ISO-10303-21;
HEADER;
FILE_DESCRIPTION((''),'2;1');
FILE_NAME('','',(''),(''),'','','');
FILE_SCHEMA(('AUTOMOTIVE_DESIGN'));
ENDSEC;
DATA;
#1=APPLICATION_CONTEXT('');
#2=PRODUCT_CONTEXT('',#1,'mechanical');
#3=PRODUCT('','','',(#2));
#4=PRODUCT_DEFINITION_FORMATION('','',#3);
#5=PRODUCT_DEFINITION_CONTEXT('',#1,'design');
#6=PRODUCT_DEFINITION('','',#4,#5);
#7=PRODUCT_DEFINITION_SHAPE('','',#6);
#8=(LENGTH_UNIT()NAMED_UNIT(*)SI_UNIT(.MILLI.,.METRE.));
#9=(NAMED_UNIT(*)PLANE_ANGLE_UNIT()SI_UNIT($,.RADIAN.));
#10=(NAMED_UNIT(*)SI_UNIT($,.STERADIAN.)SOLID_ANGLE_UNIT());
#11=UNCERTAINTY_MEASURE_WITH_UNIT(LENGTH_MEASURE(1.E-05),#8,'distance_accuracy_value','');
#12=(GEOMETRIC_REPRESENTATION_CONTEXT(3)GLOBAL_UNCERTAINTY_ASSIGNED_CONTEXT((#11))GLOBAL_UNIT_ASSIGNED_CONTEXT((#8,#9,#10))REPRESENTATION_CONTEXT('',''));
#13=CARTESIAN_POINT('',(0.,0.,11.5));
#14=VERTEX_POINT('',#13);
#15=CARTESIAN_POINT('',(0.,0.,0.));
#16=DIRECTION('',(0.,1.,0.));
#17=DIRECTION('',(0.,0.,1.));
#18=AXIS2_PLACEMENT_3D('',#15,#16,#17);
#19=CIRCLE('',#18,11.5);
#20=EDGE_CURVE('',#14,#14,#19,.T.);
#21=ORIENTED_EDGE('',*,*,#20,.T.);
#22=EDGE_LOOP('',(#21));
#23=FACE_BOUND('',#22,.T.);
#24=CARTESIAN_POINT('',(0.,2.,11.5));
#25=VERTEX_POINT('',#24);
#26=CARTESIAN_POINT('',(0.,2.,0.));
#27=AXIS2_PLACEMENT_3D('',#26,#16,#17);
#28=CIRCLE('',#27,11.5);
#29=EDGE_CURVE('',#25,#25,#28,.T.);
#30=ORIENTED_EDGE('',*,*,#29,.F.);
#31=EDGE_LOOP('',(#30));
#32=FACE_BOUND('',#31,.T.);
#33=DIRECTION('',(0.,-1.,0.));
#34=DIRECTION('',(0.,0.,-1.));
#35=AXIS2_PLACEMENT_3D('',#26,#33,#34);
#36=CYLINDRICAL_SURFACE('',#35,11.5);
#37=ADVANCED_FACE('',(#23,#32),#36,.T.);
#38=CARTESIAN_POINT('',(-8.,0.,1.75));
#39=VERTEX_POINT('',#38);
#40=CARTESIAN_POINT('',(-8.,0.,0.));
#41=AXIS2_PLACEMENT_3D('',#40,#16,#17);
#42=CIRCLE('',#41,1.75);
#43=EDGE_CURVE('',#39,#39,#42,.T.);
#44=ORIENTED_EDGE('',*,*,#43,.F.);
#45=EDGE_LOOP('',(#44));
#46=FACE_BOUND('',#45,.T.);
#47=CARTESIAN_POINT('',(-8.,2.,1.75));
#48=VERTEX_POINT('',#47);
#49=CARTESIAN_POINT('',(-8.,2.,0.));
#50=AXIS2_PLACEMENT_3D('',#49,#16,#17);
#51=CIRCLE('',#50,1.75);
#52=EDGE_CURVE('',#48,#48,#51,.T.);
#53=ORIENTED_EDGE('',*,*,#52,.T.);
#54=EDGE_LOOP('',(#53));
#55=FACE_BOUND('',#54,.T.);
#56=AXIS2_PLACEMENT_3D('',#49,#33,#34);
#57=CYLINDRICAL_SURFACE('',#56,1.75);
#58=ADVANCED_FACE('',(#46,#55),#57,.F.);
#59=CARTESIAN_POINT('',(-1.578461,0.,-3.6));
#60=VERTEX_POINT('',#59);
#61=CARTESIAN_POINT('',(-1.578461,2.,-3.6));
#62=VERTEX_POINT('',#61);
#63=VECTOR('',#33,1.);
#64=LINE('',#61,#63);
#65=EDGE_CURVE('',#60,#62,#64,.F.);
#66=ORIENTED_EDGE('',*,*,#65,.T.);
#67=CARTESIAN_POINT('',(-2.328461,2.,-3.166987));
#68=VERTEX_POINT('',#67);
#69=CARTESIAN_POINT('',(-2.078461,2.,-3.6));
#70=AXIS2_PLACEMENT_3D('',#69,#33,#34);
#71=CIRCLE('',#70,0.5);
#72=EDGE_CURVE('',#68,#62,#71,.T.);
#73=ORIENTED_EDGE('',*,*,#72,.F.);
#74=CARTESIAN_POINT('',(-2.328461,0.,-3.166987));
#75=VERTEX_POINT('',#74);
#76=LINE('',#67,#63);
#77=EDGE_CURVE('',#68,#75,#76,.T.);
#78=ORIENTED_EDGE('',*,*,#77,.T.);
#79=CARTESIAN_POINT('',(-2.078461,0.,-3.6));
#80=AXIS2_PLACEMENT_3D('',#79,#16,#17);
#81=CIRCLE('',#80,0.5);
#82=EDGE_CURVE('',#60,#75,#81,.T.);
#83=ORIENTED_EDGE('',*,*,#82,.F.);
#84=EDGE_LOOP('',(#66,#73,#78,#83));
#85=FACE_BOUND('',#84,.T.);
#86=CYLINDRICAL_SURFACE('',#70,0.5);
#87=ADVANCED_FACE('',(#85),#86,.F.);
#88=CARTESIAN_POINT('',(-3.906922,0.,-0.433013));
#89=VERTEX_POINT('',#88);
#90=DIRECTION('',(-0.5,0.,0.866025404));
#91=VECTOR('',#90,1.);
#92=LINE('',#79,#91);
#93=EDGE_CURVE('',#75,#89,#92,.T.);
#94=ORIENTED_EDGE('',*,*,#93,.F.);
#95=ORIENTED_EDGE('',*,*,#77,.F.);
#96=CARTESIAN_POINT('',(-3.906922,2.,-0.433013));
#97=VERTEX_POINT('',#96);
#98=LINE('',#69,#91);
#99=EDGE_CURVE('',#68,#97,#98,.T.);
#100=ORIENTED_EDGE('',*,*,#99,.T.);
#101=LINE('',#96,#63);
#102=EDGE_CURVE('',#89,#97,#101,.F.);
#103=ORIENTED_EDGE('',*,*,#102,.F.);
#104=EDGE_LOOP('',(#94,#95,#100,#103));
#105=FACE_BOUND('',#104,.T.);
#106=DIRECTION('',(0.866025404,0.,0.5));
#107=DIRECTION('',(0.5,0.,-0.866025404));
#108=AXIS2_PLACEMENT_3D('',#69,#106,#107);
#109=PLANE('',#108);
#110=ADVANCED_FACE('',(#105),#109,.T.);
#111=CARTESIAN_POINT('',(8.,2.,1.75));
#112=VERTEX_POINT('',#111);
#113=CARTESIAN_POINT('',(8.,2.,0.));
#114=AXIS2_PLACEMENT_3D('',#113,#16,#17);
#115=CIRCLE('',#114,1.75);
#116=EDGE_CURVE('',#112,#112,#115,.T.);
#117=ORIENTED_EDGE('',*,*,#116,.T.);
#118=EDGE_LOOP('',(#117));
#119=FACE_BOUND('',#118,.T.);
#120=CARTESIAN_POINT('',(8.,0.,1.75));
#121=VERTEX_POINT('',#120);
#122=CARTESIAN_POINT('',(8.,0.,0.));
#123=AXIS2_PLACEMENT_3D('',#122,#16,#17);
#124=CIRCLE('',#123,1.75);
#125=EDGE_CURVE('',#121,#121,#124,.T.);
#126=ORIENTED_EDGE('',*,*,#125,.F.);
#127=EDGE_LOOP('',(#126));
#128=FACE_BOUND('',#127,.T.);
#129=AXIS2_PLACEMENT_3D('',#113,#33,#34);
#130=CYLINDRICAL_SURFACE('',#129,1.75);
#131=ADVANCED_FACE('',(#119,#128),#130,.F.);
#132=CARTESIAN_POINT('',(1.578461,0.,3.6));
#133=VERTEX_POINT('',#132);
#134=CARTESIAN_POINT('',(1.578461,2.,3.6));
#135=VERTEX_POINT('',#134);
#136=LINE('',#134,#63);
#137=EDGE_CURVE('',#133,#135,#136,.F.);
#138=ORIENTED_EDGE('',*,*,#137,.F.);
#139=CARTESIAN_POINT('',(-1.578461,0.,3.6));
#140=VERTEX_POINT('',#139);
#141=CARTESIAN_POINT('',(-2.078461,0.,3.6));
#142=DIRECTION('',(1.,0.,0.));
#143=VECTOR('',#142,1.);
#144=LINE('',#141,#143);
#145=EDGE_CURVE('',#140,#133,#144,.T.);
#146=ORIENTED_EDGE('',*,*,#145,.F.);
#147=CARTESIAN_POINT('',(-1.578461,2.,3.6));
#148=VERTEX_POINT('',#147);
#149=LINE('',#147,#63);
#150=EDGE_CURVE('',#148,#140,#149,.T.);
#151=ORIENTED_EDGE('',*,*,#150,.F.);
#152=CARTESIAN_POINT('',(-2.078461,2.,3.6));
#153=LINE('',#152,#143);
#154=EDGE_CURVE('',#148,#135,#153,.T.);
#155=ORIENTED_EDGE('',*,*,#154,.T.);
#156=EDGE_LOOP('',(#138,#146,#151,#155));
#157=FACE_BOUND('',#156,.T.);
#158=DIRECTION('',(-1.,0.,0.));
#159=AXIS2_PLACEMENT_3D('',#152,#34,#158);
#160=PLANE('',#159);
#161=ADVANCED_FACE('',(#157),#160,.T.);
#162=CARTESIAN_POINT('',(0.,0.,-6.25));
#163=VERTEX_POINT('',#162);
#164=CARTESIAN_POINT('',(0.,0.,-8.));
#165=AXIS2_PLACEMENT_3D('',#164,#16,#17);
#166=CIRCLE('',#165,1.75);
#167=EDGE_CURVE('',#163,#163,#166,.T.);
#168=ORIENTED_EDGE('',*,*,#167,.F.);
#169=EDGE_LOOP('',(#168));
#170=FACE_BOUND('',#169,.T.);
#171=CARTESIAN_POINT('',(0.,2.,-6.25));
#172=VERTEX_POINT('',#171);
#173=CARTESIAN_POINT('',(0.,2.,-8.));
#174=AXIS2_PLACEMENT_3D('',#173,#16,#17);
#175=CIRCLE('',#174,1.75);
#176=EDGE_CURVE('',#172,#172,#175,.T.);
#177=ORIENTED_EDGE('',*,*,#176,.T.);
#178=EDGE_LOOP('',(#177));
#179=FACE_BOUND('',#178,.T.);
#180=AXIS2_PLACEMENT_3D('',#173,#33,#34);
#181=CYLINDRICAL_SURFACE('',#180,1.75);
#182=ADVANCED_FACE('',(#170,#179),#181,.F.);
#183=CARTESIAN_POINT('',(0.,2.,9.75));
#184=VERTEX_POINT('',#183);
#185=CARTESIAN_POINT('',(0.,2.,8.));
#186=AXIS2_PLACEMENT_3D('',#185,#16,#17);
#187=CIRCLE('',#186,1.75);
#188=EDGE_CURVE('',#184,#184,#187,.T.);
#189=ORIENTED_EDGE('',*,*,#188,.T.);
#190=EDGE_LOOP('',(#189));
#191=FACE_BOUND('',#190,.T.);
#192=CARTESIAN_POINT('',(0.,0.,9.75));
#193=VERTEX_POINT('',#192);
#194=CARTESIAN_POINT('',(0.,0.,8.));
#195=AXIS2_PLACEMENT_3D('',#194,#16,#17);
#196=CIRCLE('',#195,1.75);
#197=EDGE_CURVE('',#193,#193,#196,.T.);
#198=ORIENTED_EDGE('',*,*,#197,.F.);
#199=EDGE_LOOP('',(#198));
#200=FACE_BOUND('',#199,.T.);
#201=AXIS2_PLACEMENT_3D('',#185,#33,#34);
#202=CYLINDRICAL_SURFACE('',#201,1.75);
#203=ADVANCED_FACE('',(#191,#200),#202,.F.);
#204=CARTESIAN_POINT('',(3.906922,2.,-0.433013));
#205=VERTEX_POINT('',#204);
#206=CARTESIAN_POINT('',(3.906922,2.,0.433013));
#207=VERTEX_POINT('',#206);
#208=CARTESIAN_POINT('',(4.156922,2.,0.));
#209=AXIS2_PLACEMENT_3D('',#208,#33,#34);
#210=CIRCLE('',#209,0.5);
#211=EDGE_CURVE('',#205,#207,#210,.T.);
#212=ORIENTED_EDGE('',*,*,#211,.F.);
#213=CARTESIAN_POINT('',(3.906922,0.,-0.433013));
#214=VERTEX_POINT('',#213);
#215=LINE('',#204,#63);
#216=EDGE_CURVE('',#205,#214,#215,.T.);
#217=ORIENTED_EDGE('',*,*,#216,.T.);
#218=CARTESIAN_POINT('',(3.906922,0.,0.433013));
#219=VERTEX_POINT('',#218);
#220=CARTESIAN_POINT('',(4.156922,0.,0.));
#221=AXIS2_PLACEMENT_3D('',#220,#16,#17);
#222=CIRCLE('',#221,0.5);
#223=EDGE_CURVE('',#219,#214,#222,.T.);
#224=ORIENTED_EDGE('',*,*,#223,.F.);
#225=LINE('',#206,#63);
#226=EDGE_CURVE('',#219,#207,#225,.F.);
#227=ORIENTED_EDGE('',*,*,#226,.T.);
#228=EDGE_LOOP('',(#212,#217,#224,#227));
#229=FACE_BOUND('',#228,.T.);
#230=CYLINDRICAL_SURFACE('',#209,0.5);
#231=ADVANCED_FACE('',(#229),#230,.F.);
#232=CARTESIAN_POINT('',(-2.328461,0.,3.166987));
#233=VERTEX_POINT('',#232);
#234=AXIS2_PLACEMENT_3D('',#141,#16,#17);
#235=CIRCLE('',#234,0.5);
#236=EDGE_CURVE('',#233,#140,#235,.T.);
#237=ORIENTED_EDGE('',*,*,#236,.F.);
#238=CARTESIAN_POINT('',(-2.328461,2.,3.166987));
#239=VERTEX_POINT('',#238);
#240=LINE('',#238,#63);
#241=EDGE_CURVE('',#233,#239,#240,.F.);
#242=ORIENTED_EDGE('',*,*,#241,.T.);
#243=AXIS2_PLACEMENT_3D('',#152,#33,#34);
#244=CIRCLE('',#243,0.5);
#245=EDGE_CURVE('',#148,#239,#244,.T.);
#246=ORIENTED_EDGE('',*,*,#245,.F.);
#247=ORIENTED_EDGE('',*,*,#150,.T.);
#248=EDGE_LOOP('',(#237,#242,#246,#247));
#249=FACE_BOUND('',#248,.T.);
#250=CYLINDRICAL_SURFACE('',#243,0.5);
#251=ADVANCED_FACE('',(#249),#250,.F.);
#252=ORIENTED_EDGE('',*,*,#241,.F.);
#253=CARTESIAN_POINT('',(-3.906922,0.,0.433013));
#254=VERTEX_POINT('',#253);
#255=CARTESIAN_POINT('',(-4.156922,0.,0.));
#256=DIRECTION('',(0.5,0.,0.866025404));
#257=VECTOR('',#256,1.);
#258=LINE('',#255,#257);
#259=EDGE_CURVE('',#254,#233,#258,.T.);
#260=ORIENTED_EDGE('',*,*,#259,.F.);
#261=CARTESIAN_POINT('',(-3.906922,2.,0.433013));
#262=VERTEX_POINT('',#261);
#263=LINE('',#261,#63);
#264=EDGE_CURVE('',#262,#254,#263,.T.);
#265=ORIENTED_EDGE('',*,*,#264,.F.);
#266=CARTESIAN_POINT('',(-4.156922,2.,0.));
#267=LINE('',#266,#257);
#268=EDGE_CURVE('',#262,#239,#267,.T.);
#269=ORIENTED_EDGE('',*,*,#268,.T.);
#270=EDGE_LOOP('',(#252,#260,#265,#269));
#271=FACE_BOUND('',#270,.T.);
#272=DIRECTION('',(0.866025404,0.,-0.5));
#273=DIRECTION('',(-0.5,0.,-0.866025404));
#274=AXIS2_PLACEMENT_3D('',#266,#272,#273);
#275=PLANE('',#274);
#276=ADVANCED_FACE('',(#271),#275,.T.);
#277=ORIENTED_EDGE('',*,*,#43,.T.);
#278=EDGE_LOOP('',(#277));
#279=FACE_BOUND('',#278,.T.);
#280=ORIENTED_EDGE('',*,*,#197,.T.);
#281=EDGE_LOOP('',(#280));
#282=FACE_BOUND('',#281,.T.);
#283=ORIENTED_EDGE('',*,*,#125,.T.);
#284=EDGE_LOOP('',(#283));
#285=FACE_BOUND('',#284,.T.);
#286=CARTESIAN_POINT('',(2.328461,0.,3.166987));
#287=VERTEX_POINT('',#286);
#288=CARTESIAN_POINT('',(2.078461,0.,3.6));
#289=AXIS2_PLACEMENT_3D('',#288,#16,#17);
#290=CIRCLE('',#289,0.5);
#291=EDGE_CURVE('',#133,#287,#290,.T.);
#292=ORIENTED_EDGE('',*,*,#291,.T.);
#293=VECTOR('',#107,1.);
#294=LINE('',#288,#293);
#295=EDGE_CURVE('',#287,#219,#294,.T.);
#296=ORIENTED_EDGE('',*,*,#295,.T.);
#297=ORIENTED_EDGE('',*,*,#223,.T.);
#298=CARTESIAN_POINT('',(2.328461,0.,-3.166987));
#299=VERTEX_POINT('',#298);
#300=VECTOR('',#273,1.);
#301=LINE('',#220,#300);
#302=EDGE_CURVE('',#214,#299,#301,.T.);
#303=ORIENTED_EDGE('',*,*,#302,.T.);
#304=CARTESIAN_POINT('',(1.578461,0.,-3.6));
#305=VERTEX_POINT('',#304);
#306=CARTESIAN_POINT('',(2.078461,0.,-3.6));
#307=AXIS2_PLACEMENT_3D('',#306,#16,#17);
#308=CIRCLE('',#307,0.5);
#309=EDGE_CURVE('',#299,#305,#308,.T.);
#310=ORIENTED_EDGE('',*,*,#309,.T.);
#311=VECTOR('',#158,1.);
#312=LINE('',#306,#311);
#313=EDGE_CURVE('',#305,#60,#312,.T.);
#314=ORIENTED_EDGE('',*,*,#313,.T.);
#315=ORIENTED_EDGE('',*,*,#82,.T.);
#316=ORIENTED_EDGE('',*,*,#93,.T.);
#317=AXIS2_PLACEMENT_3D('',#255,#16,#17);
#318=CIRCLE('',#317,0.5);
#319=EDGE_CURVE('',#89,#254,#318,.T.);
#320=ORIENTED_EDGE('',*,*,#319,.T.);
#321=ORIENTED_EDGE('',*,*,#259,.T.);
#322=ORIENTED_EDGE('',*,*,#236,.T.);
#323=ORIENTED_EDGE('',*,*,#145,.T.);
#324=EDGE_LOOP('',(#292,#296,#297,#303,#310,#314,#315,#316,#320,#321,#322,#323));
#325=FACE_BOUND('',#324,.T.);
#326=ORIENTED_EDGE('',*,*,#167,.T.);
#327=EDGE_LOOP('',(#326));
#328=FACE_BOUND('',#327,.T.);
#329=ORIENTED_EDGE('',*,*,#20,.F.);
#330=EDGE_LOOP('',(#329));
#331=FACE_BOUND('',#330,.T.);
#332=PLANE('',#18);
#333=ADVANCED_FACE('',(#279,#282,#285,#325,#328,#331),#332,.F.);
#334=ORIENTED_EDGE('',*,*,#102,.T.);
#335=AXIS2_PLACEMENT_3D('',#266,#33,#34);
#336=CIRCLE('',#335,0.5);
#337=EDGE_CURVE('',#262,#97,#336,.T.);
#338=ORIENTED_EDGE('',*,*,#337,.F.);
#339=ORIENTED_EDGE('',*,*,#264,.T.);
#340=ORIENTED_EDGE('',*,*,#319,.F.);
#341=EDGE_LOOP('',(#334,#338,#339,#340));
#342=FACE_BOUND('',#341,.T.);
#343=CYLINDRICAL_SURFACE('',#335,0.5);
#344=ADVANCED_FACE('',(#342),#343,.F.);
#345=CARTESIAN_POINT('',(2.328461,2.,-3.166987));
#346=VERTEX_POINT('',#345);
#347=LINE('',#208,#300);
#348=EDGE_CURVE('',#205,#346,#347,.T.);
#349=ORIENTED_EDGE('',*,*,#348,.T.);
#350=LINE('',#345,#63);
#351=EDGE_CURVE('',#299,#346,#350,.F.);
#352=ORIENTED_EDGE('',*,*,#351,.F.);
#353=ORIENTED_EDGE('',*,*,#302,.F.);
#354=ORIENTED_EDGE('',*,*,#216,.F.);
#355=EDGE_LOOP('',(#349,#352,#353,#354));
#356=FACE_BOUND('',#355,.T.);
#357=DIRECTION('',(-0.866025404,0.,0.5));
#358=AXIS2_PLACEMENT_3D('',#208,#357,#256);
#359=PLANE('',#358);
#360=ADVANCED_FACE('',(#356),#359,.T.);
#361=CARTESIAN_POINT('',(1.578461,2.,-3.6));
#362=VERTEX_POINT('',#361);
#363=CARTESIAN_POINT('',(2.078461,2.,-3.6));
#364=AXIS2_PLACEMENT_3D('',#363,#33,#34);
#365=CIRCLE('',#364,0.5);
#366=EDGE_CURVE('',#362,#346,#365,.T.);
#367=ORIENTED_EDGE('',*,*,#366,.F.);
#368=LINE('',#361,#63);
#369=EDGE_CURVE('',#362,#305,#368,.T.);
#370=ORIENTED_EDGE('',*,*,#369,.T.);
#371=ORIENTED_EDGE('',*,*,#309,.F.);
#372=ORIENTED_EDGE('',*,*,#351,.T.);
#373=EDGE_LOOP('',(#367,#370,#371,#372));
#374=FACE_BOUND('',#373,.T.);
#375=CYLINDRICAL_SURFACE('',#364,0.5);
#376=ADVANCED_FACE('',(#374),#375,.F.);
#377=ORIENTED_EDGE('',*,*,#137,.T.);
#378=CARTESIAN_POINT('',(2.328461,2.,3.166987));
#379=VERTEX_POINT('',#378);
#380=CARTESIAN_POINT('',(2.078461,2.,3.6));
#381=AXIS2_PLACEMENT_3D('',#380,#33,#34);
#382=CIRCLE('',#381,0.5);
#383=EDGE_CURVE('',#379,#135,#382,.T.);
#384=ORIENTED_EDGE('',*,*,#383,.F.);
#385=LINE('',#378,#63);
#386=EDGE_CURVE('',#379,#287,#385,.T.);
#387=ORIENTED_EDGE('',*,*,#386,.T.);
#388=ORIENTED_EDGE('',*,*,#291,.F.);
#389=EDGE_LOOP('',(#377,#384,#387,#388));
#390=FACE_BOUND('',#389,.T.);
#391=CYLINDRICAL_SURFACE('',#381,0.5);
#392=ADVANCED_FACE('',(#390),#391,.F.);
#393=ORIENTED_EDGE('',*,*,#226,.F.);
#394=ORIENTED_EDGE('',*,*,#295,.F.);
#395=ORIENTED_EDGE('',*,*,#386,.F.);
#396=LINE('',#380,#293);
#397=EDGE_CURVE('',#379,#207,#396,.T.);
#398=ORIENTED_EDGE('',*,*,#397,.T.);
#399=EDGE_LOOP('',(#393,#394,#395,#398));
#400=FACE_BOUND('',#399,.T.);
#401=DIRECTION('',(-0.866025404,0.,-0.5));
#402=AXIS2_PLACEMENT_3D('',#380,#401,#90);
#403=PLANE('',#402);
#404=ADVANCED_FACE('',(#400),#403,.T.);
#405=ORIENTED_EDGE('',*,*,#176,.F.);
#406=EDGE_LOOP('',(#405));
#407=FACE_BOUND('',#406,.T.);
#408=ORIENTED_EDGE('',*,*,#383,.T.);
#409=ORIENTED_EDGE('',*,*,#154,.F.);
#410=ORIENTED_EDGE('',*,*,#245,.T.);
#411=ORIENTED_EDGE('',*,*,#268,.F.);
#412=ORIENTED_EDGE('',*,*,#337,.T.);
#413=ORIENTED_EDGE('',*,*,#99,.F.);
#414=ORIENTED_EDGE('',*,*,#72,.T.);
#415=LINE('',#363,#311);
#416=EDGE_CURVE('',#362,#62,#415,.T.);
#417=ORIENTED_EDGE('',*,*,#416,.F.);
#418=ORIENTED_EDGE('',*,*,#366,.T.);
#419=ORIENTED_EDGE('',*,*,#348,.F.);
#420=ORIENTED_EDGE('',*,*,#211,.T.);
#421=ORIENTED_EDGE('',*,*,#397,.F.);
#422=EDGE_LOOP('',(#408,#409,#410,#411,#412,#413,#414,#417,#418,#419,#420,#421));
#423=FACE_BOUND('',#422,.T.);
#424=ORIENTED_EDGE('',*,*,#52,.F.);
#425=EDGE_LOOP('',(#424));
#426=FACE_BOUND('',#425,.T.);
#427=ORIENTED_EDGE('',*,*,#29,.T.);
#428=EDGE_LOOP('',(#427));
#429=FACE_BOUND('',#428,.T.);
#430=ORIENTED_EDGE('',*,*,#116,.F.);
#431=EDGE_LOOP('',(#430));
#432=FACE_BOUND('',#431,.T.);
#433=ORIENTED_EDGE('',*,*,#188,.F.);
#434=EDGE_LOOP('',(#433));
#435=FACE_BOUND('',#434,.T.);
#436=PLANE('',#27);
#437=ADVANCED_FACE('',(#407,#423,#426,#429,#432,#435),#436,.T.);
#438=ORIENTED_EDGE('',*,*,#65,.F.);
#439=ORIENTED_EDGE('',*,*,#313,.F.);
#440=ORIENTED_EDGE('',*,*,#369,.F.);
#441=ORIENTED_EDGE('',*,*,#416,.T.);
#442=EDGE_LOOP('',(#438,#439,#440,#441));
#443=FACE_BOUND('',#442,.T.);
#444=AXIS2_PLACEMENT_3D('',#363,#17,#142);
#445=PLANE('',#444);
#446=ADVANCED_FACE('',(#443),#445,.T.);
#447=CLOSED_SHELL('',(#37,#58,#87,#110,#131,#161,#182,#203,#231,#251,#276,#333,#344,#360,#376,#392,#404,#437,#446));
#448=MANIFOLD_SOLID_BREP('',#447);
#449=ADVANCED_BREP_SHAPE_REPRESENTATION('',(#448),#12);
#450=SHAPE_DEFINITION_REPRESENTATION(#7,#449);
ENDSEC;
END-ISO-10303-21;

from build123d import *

# Parameters (mm, degrees)
SKETCH1_R               = 11.5
SKETCH1_R_2             = 1.75
BOSS_EXTRUDE1_DEPTH     = 2
CUT_EXTRUDE1_DEPTH      = 17.385969608
CUT_EXTRUDE1_DEPTH_BACK = 17.385969608
SKETCH2_R               = 0.5


with BuildPart() as part:
    # Sketch1 → Boss-Extrude1 (new body)
    with BuildSketch(Plane(origin=(0, 0, 0), x_dir=(1, 0, 0), z_dir=(0, 1, 0))):
        with Locations(Location((0, 0, 0), (0, 0, 270))):
            Circle(SKETCH1_R)
        with Locations(Location((0, 8, 0), (0, 0, 270))):
            Circle(SKETCH1_R_2, mode=Mode.SUBTRACT)
        with Locations(Location((8, 0, 0), (0, 0, 270))):
            Circle(SKETCH1_R_2, mode=Mode.SUBTRACT)
        with Locations(Location((0, -8, 0), (0, 0, 270))):
            Circle(SKETCH1_R_2, mode=Mode.SUBTRACT)
        with Locations(Location((-8, 0, 0), (0, 0, 270))):
            Circle(SKETCH1_R_2, mode=Mode.SUBTRACT)
        Polygon((2.078460969, 3.6), (-2.078460969, 3.6), (-4.156921938, 0), (-2.078460969, -3.6), (2.078460969, -3.6), (4.156921938, 0), align=None, mode=Mode.SUBTRACT)
    extrude(amount=BOSS_EXTRUDE1_DEPTH)

    # Sketch2 → Cut-Extrude1 (cut, two sides: drawn at the far end of the back side and taken through both)
    with BuildSketch(Plane.XZ.offset(-CUT_EXTRUDE1_DEPTH_BACK)):
        with Locations((-2.078460969, 3.6)):
            Circle(SKETCH2_R)
        with Locations((2.078460969, 3.6)):
            Circle(SKETCH2_R)
        with Locations((4.156921938, 0)):
            Circle(SKETCH2_R)
        with Locations((2.078460969, -3.6)):
            Circle(SKETCH2_R)
        with Locations((-2.078460969, -3.6)):
            Circle(SKETCH2_R)
        with Locations((-4.156921938, 0)):
            Circle(SKETCH2_R)
    extrude(amount=CUT_EXTRUDE1_DEPTH + CUT_EXTRUDE1_DEPTH_BACK, mode=Mode.SUBTRACT)


solid = part.part
